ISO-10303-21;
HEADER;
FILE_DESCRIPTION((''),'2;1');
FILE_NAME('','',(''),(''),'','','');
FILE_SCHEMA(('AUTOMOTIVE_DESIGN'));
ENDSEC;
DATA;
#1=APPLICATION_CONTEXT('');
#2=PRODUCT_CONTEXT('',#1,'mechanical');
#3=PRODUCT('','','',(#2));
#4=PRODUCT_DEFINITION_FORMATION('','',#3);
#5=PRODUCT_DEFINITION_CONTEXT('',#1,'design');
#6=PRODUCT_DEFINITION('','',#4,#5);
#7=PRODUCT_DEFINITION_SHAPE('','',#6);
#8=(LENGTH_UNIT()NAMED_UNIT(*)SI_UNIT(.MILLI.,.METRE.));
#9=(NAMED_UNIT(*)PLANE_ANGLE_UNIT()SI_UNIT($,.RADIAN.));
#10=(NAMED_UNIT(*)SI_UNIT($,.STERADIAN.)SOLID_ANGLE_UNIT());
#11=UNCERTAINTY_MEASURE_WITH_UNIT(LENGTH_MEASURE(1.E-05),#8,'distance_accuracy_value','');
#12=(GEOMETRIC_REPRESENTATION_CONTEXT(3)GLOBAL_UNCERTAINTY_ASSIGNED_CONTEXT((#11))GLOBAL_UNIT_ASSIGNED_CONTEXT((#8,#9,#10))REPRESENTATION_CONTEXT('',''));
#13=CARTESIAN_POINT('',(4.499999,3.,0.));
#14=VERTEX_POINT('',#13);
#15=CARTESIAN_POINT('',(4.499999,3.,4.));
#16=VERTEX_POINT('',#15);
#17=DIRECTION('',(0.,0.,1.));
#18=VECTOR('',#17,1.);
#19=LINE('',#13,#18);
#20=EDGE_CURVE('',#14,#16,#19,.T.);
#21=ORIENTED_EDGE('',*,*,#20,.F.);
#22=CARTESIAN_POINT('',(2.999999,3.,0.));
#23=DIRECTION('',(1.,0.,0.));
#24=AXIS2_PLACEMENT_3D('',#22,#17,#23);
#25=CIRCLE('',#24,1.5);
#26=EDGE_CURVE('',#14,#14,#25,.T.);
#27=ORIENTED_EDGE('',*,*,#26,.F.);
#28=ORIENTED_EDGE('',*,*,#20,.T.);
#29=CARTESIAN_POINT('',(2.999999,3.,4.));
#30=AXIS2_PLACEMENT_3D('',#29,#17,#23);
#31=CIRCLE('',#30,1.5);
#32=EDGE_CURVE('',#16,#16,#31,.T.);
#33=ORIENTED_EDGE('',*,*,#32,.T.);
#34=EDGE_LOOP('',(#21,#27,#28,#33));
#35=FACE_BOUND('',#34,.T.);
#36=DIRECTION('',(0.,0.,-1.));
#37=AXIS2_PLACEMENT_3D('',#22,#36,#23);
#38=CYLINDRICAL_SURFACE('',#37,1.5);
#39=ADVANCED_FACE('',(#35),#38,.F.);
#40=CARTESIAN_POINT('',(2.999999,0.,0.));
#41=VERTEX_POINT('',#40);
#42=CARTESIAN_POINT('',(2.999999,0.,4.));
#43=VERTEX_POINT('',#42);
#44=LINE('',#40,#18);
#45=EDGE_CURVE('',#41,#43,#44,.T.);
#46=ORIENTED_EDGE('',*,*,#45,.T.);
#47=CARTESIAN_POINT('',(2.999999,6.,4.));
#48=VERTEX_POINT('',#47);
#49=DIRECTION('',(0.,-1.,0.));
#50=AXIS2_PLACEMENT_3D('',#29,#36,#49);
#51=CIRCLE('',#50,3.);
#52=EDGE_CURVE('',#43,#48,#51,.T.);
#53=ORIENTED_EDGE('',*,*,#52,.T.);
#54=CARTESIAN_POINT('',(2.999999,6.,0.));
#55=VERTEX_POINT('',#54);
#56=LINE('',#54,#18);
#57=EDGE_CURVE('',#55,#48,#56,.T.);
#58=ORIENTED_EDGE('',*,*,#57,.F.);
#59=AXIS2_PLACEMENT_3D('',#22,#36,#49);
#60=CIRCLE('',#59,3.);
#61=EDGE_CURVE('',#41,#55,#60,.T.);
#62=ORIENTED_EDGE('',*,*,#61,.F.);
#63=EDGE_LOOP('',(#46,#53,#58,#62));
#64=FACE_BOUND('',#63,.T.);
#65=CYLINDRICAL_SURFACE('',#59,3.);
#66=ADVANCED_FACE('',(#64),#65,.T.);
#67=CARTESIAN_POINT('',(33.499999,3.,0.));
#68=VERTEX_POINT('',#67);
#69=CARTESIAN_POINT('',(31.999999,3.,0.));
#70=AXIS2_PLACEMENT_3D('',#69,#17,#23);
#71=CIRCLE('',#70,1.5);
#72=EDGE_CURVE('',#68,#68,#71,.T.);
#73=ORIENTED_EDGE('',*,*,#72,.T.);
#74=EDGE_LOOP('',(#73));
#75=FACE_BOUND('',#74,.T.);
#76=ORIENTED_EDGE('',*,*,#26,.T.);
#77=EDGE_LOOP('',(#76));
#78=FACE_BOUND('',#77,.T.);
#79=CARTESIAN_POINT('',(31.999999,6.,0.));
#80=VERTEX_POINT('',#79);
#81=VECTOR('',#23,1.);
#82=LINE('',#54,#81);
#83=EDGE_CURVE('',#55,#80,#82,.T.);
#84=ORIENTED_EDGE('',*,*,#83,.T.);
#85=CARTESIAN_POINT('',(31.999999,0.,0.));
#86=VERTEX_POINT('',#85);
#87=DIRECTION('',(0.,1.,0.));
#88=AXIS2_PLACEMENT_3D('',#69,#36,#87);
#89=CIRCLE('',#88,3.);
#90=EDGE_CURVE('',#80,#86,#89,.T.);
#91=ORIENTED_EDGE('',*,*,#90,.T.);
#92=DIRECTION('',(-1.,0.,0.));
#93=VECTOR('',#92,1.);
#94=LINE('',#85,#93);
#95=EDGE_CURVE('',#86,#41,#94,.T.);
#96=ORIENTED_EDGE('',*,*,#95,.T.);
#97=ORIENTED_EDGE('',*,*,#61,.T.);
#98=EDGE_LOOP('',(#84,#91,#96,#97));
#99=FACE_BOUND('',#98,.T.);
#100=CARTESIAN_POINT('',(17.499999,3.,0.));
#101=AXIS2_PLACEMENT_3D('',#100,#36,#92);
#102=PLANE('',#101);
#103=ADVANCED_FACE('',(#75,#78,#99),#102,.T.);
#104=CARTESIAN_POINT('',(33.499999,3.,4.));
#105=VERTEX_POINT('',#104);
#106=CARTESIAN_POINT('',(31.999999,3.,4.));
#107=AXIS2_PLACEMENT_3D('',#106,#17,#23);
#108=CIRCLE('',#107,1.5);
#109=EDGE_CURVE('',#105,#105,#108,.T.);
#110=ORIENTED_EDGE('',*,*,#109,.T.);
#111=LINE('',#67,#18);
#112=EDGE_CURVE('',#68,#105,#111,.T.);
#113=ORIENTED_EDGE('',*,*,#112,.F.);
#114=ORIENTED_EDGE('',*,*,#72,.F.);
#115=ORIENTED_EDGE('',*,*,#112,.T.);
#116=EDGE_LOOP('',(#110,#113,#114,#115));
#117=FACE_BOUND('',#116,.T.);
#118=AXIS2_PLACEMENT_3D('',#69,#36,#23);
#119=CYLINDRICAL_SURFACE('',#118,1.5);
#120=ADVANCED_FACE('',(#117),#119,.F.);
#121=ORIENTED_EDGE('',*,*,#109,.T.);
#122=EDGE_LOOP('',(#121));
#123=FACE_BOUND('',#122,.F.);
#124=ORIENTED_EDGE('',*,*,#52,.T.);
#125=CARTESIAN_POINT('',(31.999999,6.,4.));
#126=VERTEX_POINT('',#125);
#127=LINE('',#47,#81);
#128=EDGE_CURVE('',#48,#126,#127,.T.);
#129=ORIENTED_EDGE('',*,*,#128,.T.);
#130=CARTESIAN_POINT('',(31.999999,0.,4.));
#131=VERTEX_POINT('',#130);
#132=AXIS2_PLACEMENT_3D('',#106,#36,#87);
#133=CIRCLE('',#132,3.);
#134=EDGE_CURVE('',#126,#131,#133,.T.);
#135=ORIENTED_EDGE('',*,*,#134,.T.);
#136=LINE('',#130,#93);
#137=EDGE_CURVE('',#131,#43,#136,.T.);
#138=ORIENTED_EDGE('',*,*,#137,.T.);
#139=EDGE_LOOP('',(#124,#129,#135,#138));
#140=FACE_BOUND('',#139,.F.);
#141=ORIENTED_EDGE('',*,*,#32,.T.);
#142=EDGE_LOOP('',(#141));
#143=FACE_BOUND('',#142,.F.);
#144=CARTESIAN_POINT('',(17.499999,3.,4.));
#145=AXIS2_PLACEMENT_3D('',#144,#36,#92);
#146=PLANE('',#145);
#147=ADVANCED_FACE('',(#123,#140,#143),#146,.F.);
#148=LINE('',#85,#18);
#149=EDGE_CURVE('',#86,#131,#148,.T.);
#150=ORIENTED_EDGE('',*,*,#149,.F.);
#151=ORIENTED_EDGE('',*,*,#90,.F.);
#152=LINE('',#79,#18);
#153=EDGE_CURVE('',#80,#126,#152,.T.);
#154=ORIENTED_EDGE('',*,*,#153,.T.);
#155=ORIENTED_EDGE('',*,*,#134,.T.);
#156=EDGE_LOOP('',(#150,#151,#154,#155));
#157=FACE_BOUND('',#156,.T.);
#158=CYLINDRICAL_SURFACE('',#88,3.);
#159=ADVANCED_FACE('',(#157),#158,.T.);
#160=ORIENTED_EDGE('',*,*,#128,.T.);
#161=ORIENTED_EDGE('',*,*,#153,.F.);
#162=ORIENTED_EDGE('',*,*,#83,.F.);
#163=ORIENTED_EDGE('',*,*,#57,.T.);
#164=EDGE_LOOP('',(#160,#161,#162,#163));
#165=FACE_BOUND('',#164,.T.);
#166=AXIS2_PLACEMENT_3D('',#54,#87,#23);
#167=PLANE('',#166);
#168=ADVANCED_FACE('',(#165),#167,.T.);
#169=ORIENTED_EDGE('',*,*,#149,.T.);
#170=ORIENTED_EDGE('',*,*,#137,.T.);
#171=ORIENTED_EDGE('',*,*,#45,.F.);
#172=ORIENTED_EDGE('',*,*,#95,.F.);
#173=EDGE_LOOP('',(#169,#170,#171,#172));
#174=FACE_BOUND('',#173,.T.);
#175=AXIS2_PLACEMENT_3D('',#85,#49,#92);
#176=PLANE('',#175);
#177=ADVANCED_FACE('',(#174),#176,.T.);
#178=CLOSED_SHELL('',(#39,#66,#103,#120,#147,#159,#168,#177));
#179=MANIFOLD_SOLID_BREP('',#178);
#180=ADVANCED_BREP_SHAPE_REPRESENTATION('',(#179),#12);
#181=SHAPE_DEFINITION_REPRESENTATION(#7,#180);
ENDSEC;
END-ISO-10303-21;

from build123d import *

# Parameters (mm, degrees)
SKETCH1_R           = 1.5
BOSS_EXTRUDE1_DEPTH = 4


with BuildPart() as part:
    # Sketch1 → Boss-Extrude1 (new body)
    with BuildSketch(Plane.XY):
        with BuildLine():
            Line((2.999999305, 5.999999755), (31.999999305, 5.999999755))
            ThreePointArc((31.999999305, 5.999999755), (34.999999305, 2.999999755), (31.999999305, -2.45e-07))
            Line((31.999999305, -2.45e-07), (2.999999305, -2.45e-07))
            ThreePointArc((2.999999305, -2.45e-07), (-6.95e-07, 2.999999755), (2.999999305, 5.999999755))
        make_face()
        with Locations((2.999999305, 2.999999755)):
            Circle(SKETCH1_R, mode=Mode.SUBTRACT)
        with Locations((31.999999305, 2.999999755)):
            Circle(SKETCH1_R, mode=Mode.SUBTRACT)
    extrude(amount=BOSS_EXTRUDE1_DEPTH)


solid = part.part
